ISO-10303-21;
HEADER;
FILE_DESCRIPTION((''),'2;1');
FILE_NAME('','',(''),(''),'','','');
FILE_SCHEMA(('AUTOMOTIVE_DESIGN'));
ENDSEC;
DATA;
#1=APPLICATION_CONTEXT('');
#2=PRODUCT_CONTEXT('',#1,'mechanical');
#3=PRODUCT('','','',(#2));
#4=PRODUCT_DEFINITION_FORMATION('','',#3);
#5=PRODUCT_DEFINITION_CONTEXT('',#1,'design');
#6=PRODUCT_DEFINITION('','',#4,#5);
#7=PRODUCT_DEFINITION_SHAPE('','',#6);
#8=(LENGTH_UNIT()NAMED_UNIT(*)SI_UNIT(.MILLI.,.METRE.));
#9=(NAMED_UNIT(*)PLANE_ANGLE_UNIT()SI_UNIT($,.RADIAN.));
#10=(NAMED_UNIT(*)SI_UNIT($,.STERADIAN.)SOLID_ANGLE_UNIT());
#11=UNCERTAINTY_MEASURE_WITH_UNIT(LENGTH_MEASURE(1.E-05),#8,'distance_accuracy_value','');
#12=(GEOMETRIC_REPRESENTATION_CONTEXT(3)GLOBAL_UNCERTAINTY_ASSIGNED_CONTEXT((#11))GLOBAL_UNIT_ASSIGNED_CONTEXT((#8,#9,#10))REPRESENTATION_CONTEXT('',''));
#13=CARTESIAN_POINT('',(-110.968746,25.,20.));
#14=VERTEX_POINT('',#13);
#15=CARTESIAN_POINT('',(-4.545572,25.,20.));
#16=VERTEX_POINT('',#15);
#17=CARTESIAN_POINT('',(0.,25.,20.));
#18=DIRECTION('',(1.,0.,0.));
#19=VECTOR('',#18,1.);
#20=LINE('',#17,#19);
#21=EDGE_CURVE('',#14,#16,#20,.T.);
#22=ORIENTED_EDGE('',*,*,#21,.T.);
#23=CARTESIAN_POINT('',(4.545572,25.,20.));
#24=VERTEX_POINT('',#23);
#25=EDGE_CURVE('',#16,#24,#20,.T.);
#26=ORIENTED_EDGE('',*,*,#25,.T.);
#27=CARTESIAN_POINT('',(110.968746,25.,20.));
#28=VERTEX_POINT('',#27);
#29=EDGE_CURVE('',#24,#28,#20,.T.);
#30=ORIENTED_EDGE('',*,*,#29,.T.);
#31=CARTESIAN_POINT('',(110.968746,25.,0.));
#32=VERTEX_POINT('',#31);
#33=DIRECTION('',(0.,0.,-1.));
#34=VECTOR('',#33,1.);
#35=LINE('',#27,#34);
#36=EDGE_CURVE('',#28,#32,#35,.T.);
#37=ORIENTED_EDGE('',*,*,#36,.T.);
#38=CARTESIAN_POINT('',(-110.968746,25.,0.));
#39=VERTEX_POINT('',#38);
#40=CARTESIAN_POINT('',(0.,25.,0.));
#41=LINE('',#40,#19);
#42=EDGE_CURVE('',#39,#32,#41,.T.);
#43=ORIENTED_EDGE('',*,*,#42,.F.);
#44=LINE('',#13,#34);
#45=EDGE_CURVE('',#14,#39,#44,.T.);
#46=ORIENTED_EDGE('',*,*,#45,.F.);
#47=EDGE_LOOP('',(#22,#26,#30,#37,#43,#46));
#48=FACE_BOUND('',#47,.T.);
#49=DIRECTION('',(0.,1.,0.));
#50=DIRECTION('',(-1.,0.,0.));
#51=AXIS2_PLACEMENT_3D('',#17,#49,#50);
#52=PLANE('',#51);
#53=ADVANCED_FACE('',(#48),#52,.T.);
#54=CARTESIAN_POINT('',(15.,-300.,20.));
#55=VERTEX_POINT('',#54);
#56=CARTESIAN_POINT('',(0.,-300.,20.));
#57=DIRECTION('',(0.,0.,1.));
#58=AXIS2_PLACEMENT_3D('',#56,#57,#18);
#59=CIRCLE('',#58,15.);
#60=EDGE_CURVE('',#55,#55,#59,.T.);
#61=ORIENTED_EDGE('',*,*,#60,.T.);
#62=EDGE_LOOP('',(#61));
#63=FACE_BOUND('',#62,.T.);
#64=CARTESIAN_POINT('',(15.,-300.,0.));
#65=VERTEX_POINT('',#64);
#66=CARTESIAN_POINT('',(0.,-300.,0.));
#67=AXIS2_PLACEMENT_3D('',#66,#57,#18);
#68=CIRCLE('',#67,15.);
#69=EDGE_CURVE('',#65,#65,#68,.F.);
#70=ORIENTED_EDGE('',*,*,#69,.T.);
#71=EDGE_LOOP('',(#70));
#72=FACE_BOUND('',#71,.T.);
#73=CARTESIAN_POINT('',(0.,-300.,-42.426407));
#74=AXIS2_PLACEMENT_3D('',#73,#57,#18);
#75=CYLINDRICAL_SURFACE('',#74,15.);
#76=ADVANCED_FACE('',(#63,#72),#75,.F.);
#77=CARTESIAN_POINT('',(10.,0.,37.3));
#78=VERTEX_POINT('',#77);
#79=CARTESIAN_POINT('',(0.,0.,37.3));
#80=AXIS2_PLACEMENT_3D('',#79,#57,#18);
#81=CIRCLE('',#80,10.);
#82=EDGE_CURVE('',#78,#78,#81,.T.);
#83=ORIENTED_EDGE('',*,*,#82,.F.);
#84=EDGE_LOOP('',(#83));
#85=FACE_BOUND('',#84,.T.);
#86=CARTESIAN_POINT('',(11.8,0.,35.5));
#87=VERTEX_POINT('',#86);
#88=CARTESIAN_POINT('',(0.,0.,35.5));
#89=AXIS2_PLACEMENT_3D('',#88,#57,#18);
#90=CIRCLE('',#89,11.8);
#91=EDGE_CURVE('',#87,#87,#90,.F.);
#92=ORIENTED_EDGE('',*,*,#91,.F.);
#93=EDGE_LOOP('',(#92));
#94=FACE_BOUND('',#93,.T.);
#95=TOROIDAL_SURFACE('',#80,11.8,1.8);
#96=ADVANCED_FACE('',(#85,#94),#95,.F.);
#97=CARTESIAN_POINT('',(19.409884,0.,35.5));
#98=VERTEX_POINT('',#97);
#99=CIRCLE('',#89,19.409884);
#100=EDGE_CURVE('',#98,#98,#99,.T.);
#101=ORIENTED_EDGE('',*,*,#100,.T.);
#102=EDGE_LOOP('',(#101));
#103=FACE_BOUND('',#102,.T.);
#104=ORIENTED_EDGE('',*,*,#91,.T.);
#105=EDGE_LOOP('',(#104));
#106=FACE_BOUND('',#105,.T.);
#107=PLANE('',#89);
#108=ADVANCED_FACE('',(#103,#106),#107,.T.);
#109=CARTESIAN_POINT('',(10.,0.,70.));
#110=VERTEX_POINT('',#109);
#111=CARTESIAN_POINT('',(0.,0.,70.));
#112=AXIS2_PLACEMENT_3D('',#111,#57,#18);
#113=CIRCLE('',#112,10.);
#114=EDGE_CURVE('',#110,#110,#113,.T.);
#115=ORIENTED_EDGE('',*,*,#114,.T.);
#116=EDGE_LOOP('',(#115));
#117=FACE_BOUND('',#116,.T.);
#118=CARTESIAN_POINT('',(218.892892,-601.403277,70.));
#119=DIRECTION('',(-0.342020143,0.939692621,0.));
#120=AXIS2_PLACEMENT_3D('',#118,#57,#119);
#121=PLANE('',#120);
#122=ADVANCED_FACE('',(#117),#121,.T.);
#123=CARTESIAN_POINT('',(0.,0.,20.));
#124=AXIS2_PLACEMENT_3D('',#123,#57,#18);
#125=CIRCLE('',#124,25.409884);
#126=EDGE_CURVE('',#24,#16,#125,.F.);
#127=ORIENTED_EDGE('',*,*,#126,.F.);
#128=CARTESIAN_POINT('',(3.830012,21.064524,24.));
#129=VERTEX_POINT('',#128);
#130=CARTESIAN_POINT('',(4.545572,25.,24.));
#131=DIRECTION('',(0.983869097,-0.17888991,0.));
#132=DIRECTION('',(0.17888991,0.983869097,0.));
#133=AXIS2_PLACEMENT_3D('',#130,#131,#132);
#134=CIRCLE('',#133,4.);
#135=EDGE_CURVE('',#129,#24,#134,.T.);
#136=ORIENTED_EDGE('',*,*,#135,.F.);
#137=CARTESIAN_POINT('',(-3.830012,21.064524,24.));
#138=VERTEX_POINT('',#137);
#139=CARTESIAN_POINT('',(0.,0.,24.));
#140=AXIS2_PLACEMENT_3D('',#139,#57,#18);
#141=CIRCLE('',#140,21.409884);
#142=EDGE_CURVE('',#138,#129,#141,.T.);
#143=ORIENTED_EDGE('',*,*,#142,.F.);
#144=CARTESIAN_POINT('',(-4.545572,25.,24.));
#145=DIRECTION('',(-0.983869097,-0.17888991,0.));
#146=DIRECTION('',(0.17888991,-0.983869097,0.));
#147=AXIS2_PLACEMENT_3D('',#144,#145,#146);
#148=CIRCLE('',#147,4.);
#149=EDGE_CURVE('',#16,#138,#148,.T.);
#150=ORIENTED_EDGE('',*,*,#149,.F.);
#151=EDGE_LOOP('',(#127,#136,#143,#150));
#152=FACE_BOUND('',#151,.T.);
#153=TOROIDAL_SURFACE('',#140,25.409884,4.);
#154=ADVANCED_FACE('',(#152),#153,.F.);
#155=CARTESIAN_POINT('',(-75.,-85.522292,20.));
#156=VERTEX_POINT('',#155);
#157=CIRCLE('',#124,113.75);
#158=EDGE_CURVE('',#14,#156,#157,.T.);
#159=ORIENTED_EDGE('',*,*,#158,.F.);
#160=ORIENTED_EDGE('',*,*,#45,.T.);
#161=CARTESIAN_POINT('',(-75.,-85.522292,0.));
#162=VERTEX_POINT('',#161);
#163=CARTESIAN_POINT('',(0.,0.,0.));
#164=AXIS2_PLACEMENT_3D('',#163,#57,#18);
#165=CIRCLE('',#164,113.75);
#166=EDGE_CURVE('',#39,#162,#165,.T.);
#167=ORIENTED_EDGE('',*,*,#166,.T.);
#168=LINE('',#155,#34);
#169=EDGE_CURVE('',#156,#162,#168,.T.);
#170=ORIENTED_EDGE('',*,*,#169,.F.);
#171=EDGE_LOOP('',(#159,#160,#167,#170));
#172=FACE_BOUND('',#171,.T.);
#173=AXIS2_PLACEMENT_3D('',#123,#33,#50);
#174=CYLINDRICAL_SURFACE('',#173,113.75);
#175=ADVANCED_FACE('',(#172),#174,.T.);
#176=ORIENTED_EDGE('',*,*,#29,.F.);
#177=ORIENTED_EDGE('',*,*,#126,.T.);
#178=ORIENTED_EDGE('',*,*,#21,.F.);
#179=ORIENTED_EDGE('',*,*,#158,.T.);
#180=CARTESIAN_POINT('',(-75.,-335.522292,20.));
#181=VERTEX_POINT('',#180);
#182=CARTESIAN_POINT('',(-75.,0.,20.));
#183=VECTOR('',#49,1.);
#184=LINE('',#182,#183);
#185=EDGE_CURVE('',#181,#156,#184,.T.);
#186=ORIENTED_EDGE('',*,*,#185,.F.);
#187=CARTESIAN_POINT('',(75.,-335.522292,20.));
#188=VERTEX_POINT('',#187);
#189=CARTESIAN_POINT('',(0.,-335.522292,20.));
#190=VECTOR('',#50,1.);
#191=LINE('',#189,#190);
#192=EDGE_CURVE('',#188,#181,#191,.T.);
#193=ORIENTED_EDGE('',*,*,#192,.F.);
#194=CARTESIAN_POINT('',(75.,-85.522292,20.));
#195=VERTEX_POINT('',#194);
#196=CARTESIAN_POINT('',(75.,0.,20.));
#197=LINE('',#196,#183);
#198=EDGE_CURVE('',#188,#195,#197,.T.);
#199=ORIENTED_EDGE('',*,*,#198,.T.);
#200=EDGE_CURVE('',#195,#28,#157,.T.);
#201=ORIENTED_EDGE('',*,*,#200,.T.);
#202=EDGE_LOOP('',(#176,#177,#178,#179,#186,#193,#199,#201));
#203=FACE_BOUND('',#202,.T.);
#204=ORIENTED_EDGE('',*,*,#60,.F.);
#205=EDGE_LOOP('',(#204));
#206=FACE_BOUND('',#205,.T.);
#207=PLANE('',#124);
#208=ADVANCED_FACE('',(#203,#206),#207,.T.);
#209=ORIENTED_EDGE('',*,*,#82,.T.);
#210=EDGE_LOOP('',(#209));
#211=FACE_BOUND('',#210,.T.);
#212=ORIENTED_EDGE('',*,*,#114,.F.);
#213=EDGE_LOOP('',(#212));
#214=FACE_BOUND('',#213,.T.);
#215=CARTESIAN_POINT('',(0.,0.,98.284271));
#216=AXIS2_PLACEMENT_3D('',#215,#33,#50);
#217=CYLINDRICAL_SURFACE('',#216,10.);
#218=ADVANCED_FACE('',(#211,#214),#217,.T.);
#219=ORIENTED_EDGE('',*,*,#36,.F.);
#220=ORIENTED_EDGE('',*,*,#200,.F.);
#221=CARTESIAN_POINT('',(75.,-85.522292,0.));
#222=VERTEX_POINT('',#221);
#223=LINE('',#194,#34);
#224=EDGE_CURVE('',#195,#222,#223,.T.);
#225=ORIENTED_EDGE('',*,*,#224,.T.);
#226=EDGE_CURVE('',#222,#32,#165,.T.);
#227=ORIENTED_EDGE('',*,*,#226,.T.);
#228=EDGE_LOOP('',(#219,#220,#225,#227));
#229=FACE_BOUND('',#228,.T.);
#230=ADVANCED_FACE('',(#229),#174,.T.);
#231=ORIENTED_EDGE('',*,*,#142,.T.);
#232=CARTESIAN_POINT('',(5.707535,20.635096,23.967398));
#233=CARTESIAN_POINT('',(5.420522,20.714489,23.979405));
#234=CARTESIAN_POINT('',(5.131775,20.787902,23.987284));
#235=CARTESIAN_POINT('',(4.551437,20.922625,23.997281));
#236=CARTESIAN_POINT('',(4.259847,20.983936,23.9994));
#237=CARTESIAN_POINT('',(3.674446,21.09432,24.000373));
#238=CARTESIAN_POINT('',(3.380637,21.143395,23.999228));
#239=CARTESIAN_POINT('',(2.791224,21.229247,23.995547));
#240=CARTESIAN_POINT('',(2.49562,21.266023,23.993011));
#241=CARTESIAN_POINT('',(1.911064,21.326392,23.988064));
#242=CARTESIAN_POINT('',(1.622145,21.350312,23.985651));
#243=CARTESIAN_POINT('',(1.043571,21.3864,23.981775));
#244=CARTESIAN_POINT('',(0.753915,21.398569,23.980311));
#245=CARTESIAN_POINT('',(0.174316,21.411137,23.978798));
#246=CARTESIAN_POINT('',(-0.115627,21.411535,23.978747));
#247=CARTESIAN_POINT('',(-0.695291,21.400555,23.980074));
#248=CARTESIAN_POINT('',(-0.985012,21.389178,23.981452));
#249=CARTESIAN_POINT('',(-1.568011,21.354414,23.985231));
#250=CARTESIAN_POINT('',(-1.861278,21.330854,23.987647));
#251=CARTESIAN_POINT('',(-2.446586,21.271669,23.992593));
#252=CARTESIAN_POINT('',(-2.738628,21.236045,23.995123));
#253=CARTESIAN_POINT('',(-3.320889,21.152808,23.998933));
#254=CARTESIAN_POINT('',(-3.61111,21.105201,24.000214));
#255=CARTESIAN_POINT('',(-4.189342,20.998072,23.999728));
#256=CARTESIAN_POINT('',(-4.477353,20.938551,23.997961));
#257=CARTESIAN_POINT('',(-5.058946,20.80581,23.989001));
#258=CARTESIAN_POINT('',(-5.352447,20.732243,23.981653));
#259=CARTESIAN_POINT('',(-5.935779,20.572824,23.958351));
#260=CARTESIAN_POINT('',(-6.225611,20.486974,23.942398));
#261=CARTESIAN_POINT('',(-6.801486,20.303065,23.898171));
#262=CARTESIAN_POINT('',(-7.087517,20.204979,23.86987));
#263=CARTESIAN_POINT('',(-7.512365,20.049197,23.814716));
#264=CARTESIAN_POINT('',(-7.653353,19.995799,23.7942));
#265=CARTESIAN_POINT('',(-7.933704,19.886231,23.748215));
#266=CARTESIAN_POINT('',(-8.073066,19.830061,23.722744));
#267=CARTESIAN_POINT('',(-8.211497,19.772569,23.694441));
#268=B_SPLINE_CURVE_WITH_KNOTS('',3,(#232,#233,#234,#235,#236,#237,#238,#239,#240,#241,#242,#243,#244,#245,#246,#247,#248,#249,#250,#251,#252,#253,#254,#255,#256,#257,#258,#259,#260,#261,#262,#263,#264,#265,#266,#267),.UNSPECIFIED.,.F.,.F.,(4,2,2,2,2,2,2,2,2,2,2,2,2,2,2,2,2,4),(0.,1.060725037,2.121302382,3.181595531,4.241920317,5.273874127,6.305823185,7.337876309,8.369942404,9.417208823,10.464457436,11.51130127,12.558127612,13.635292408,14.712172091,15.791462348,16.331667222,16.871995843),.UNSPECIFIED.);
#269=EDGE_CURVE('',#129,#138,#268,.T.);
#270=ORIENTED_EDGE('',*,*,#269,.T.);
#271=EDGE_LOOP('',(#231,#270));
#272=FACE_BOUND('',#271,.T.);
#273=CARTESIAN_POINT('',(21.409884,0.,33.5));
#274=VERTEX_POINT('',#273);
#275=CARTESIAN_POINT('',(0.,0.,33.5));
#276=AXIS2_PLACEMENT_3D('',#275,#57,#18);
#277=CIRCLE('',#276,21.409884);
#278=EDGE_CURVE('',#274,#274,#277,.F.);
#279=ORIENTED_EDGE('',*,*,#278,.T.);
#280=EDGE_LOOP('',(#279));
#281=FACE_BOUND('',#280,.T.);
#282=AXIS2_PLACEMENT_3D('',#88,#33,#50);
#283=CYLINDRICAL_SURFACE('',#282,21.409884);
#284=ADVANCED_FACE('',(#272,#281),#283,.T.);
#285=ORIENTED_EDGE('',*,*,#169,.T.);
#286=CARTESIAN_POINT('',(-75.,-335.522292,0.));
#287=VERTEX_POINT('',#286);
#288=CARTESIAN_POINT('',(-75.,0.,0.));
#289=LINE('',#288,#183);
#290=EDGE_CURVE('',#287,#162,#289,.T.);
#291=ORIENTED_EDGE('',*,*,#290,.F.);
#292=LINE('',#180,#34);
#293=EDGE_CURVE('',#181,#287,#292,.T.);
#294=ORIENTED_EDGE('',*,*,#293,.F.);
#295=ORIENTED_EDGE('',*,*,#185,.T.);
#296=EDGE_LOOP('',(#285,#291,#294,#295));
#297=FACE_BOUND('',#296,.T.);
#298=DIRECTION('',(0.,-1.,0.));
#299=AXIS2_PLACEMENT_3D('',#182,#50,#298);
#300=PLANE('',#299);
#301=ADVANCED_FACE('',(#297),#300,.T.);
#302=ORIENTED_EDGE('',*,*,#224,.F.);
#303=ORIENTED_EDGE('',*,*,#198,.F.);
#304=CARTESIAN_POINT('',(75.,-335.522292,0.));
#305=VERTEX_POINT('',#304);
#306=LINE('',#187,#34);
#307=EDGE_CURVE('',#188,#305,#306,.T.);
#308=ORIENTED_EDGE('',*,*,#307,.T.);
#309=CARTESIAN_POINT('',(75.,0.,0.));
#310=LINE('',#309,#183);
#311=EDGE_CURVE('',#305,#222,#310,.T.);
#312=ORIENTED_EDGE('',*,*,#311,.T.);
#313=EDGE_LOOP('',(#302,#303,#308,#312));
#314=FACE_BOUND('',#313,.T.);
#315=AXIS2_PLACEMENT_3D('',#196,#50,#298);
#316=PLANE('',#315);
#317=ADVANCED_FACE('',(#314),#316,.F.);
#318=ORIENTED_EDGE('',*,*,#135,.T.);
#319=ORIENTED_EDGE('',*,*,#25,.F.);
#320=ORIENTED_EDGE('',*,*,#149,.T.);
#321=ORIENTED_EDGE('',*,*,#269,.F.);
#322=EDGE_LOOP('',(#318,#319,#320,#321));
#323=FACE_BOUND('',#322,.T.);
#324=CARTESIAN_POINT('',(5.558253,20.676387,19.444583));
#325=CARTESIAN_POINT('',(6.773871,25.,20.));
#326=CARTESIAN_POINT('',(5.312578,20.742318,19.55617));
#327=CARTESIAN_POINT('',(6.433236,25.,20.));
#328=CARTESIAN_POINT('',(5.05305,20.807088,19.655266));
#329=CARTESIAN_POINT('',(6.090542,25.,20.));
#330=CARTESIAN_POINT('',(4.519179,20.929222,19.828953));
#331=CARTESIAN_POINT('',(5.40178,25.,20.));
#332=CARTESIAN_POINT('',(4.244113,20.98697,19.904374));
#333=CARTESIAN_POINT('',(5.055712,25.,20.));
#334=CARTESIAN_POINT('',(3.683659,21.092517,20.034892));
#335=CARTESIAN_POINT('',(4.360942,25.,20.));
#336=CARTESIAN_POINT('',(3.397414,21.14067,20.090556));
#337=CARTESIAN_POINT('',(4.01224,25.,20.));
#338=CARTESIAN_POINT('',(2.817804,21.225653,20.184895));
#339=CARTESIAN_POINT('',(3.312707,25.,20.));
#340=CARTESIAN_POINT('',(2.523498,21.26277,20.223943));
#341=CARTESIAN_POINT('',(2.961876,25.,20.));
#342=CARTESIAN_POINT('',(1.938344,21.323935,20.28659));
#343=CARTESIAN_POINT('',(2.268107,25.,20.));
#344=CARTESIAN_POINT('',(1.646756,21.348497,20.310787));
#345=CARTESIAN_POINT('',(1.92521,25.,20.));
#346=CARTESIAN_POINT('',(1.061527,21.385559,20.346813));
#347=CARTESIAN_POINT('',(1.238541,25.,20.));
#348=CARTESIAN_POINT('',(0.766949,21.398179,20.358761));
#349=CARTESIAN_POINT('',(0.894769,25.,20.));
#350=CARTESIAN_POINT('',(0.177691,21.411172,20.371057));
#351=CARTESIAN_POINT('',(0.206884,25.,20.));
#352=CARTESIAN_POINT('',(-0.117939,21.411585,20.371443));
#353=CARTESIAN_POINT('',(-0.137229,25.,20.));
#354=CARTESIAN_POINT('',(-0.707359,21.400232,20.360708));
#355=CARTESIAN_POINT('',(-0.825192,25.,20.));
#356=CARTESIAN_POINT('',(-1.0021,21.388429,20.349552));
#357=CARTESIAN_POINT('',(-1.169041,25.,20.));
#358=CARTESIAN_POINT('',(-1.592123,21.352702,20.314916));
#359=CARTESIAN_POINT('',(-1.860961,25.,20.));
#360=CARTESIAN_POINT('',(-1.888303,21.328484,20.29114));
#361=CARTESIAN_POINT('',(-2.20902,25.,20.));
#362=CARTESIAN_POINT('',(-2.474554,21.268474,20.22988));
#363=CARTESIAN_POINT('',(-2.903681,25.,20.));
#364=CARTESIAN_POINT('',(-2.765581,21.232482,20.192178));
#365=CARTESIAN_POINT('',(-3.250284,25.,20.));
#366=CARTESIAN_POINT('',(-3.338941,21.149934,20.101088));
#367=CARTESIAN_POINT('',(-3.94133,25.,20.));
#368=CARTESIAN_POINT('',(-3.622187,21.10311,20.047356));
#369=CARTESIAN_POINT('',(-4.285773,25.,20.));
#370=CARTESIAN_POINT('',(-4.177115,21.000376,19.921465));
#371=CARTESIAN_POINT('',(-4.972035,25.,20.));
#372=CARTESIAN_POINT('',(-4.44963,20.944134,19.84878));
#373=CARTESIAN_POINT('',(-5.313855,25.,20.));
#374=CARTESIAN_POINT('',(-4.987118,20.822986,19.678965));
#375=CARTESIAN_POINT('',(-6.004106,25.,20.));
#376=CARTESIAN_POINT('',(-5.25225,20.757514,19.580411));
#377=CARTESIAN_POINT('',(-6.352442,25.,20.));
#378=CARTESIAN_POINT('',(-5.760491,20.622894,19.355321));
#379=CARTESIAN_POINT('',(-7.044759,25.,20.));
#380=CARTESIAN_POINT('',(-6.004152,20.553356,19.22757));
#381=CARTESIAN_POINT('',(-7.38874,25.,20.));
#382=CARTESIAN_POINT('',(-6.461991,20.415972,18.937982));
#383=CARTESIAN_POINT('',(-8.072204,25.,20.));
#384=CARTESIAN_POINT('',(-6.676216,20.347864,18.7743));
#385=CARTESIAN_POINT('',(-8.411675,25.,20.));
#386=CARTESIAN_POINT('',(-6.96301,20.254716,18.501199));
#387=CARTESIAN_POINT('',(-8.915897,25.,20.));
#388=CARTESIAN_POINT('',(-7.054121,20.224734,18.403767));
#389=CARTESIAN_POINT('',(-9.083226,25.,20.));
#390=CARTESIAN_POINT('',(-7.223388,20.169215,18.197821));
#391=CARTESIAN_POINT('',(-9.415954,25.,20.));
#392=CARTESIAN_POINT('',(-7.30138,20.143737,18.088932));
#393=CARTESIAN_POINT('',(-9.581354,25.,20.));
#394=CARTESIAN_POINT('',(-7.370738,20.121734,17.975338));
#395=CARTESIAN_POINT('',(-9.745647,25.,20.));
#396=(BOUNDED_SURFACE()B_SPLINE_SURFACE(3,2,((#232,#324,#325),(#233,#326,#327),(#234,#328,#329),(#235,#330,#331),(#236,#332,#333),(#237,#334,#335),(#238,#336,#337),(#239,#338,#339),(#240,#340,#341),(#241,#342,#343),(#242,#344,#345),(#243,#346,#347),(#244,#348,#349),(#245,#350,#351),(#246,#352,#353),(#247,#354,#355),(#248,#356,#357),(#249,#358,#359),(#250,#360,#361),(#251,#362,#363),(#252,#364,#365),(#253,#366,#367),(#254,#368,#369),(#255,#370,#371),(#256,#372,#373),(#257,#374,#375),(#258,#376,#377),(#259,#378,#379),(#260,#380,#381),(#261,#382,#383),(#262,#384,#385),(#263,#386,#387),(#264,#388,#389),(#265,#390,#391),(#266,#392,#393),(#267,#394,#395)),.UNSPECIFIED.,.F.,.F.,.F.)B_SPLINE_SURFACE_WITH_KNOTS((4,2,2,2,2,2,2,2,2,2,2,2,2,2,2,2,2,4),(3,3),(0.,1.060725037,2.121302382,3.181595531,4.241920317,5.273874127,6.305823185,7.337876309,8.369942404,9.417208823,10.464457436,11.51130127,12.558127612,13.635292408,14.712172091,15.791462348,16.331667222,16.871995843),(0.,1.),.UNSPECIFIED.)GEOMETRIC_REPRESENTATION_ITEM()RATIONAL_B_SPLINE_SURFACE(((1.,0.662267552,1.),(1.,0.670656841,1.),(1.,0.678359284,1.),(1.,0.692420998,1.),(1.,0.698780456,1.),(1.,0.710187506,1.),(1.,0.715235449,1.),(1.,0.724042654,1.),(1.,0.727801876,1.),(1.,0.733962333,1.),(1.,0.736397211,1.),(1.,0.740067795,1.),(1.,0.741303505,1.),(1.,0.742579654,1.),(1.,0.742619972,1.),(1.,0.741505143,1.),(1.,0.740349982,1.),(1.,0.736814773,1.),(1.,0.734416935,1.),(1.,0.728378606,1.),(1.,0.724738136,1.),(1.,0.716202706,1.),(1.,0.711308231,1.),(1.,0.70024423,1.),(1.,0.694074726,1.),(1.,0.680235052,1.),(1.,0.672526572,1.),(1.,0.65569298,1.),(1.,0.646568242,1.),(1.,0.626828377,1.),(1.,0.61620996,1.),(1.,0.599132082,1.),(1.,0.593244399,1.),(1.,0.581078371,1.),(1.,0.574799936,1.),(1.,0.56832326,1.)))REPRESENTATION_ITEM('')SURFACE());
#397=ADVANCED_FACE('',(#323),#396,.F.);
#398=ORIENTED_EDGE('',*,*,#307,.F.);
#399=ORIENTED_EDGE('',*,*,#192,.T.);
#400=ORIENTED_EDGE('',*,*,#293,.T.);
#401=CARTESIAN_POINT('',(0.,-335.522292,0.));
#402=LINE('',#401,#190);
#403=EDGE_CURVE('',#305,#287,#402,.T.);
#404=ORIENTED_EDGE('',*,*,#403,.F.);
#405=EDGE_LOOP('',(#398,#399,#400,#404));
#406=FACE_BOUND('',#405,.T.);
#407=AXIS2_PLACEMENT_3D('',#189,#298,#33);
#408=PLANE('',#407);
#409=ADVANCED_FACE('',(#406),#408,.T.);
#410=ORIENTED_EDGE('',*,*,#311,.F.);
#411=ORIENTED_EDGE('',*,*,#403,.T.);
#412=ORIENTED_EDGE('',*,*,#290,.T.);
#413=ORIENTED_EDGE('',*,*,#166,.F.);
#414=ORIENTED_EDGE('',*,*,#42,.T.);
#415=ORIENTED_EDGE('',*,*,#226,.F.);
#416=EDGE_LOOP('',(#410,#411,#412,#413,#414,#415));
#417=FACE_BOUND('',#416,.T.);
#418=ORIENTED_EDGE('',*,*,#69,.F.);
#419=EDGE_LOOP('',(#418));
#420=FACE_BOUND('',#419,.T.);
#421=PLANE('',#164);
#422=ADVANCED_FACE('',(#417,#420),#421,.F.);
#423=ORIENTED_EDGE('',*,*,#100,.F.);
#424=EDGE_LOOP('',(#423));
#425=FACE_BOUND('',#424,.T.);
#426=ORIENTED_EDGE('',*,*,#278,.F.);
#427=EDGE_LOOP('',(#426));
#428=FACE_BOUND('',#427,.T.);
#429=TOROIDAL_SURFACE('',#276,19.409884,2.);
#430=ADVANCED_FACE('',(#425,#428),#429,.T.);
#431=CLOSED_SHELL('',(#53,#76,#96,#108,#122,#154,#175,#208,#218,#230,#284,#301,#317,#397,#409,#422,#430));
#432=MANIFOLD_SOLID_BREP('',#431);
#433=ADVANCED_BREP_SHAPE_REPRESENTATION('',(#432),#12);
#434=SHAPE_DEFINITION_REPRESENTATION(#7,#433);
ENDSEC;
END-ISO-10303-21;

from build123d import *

# Parameters (mm, degrees)
BOSS_EXTRUDE1_DEPTH = 20
BOSS_EXTRUDE2_START = 20
SKETCH1_3_R         = 10
BOSS_EXTRUDE2_DEPTH = 50
SKETCH2_R           = 15
CUT_EXTRUDE1_DEPTH  = 20
SKETCH3_R           = 21.409884381
BOSS_EXTRUDE3_DEPTH = 15.5
FILLET1_R           = 1.8
FILLET2_R           = 4
FILLET3_R           = 2


with BuildPart() as part:
    # Sketch1 → Boss-Extrude1 (new body)
    with BuildSketch(Plane.XY):
        with BuildLine():
            Line((-75, -335.522292415), (75, -335.522292415))
            Line((75, -335.522292415), (75, -85.522292415))
            ThreePointArc((75, -85.522292415), (108.166019919, -35.201912374), (110.9687456, 25))
            Line((110.9687456, 25), (-110.9687456, 25))
            ThreePointArc((-110.9687456, 25), (-108.166019919, -35.201912374), (-75, -85.522292415))
            Line((-75, -85.522292415), (-75, -335.522292415))
        make_face()
    extrude(amount=BOSS_EXTRUDE1_DEPTH)

    # Sketch1<3> → Boss-Extrude2 (add)
    with BuildSketch(Plane.XY.offset(BOSS_EXTRUDE2_START)):
        Circle(SKETCH1_3_R)
    extrude(amount=BOSS_EXTRUDE2_DEPTH)

    # Sketch2 → Cut-Extrude1 (cut)
    with BuildSketch(Plane.XY.offset(20)):
        with Locations((0, -300)):
            Circle(SKETCH2_R)
    extrude(amount=-CUT_EXTRUDE1_DEPTH, mode=Mode.SUBTRACT)

    # Sketch3 → Boss-Extrude3 (add)
    with BuildSketch(Plane.XY.offset(20)):
        Circle(SKETCH3_R)
    extrude(amount=BOSS_EXTRUDE3_DEPTH)

    # Fillet1
    fillet1_edges = [part.edges().sort_by_distance(p)[0] for p in [
        (-10, 0, 35.5),
    ]]
    fillet(fillet1_edges, radius=FILLET1_R)

    # Fillet2
    fillet2_edges = [part.edges().sort_by_distance(p)[0] for p in [
        (-21.409884381, 0, 20),
    ]]
    fillet(fillet2_edges, radius=FILLET2_R)

    # Fillet3
    fillet3_edges = [part.edges().sort_by_distance(p)[0] for p in [
        (-21.409884381, 0, 35.5),
    ]]
    fillet(fillet3_edges, radius=FILLET3_R)


solid = part.part
